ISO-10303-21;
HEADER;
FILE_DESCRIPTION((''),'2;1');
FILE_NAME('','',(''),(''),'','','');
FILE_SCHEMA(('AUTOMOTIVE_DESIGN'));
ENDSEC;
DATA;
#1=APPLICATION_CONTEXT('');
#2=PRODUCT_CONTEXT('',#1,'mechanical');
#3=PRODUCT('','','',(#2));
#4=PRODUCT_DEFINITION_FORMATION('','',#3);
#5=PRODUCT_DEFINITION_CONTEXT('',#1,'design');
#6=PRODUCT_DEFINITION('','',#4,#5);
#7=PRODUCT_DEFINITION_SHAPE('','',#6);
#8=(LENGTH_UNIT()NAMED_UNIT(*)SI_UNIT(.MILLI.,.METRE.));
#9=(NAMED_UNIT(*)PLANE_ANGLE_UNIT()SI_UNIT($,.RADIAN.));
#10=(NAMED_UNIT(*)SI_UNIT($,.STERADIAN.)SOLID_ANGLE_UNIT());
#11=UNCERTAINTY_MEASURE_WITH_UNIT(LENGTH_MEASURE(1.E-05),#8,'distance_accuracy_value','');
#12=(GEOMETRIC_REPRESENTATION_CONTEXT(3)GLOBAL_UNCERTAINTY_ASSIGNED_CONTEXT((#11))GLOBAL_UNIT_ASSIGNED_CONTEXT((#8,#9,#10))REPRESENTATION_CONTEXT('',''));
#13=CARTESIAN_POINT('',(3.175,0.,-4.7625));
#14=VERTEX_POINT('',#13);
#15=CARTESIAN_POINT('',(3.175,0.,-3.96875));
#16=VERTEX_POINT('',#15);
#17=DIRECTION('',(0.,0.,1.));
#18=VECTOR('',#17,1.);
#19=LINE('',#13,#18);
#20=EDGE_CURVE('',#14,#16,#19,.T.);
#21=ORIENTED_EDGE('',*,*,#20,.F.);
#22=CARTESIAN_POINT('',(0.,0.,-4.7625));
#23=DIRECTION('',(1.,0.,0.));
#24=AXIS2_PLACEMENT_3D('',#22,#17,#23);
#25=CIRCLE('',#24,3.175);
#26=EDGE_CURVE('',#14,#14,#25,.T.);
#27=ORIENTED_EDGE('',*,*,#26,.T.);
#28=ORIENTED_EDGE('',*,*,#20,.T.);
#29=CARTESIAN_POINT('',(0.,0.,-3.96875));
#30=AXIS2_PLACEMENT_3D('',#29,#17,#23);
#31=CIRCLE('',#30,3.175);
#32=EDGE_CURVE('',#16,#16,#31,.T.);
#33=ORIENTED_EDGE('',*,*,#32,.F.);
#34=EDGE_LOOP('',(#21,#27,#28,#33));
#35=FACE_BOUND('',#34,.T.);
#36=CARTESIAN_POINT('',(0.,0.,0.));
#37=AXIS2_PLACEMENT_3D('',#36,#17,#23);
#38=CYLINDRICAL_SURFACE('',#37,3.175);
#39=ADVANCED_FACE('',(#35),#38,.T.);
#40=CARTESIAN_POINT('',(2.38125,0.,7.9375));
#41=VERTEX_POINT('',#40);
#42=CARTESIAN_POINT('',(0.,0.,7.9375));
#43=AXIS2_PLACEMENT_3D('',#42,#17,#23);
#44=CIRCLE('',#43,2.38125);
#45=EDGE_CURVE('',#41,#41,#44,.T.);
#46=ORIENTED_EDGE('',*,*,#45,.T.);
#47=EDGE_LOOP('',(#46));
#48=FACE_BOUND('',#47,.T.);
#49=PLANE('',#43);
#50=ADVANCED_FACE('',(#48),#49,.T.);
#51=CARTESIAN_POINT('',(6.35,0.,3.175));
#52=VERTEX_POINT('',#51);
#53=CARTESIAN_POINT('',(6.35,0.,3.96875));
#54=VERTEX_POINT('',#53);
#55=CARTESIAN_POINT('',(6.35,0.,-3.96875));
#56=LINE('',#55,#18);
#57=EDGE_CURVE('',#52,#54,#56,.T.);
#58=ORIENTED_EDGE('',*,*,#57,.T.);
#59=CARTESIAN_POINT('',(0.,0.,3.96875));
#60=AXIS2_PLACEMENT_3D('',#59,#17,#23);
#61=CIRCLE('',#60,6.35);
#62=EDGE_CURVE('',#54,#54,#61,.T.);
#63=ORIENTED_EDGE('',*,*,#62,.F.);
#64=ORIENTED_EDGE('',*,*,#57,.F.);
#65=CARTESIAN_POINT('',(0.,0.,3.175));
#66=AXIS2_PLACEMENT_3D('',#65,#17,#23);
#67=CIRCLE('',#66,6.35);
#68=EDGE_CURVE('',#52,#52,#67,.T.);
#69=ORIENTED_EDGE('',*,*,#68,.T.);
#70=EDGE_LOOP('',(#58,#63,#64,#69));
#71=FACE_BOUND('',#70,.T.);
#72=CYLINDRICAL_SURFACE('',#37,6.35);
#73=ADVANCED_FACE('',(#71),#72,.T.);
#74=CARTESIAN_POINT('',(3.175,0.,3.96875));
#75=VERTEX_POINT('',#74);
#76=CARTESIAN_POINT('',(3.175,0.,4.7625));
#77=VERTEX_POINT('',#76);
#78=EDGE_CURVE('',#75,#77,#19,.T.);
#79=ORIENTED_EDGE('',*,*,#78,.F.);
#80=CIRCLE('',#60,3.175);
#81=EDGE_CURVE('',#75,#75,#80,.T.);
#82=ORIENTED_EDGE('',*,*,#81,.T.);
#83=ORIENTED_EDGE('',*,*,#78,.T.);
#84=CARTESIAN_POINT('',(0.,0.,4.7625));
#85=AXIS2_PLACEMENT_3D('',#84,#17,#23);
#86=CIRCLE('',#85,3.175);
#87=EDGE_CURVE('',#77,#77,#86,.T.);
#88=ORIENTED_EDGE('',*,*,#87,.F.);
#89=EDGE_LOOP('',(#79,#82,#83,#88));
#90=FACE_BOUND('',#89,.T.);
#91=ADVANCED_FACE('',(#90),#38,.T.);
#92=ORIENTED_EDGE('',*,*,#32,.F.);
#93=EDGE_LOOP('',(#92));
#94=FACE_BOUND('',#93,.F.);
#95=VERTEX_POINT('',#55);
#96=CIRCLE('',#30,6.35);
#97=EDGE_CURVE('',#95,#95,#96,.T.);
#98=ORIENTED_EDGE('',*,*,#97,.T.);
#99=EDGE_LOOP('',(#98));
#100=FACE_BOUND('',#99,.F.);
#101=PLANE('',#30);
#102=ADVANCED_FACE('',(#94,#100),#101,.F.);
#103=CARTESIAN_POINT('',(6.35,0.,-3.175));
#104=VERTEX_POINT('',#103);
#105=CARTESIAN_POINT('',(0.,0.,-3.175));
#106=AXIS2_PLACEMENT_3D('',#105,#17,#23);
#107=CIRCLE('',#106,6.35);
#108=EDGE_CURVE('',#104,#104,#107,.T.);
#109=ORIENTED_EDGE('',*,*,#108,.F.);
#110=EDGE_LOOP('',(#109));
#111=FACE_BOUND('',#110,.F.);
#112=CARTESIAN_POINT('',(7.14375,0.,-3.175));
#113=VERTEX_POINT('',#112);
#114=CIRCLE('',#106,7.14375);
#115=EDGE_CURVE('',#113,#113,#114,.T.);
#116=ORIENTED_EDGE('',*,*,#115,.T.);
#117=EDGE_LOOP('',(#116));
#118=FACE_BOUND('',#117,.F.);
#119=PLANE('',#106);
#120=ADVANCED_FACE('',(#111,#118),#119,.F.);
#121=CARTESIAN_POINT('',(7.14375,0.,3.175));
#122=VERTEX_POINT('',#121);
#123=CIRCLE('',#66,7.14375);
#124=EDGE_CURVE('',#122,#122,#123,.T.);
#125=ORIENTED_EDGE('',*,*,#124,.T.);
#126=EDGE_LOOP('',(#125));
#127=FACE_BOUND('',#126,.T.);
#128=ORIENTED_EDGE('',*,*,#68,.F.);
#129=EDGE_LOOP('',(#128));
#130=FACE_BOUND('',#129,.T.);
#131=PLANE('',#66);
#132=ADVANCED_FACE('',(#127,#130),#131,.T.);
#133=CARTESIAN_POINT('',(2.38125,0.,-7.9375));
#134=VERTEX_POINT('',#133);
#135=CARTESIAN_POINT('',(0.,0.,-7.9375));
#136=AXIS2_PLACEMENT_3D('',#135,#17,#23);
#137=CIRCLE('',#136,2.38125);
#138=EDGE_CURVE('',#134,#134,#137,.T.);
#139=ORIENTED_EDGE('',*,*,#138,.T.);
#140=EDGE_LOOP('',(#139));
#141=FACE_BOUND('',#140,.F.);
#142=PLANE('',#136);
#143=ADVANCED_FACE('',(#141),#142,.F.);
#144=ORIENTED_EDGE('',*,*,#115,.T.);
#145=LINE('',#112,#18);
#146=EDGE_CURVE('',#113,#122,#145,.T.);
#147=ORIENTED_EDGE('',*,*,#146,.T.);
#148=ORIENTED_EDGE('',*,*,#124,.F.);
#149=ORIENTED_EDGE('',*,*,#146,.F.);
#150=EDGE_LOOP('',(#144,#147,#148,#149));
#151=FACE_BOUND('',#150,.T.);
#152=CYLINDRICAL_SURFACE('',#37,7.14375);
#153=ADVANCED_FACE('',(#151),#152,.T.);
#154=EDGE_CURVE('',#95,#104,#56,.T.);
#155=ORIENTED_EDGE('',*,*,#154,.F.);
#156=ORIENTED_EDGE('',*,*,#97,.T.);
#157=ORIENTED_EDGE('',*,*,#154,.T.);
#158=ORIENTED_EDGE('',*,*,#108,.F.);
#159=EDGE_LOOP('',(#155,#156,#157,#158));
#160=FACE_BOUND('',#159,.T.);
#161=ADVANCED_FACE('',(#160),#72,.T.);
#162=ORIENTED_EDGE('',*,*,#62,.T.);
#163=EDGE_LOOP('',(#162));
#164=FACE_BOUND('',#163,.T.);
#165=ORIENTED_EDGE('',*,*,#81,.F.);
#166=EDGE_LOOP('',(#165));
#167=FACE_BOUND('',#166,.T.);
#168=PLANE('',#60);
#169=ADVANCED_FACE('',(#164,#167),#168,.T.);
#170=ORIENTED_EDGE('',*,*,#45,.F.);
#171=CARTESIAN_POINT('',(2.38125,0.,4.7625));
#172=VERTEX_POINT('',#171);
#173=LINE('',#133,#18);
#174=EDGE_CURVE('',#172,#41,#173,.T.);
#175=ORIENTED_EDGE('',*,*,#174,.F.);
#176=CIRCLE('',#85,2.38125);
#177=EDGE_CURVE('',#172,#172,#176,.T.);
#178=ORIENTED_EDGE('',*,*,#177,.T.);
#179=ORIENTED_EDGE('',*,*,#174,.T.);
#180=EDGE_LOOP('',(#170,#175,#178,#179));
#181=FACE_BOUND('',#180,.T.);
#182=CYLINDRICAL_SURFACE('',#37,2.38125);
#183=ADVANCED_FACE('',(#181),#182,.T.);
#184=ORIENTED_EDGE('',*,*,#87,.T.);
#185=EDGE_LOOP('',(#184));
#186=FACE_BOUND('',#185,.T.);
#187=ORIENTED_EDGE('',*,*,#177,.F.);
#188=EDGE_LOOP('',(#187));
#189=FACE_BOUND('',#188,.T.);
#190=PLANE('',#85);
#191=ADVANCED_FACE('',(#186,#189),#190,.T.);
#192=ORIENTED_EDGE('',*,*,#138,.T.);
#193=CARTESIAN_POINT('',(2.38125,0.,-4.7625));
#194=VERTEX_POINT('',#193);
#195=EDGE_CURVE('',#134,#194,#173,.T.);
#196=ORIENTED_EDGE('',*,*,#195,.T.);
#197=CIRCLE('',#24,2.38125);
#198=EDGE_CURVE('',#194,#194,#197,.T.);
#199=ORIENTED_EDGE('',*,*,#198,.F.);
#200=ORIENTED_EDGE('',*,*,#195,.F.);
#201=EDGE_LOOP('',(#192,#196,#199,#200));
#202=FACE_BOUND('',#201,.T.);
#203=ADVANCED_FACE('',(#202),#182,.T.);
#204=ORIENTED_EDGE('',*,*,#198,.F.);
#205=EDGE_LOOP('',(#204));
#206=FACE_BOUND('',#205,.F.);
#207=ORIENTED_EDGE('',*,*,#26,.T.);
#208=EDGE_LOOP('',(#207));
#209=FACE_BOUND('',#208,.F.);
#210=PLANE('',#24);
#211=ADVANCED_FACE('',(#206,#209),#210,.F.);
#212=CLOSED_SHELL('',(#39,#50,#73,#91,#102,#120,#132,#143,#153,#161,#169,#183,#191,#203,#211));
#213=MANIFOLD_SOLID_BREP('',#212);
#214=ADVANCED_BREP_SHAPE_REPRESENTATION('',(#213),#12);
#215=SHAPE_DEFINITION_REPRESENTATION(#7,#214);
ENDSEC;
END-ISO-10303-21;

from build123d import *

# Parameters (mm, degrees)
F0_R     = 2.38125
F1_DEPTH = 7.9375
F2_R     = 3.175
F3_DEPTH = 4.7625
F4_R     = 7.14375
F5_DEPTH = 3.175
F6_R     = 6.35
F7_DEPTH = 3.96875


with BuildPart() as f1:
    # F0 (on Top) → F1 (new body, symmetric)
    with BuildSketch(Plane.XY):
        Circle(F0_R)
    extrude(amount=F1_DEPTH, both=True)

    # F2 (on Top) → F3 (join, symmetric)
    with BuildSketch(Plane.XY):
        Circle(F2_R)
    extrude(amount=F3_DEPTH, both=True)

    # F4 (on Top) → F5 (join, symmetric)
    with BuildSketch(Plane.XY):
        Circle(F4_R)
    extrude(amount=F5_DEPTH, both=True)

    # F6 (on Top) → F7 (join, symmetric)
    with BuildSketch(Plane.XY):
        Circle(F6_R)
    extrude(amount=F7_DEPTH, both=True)


solid = f1.part
